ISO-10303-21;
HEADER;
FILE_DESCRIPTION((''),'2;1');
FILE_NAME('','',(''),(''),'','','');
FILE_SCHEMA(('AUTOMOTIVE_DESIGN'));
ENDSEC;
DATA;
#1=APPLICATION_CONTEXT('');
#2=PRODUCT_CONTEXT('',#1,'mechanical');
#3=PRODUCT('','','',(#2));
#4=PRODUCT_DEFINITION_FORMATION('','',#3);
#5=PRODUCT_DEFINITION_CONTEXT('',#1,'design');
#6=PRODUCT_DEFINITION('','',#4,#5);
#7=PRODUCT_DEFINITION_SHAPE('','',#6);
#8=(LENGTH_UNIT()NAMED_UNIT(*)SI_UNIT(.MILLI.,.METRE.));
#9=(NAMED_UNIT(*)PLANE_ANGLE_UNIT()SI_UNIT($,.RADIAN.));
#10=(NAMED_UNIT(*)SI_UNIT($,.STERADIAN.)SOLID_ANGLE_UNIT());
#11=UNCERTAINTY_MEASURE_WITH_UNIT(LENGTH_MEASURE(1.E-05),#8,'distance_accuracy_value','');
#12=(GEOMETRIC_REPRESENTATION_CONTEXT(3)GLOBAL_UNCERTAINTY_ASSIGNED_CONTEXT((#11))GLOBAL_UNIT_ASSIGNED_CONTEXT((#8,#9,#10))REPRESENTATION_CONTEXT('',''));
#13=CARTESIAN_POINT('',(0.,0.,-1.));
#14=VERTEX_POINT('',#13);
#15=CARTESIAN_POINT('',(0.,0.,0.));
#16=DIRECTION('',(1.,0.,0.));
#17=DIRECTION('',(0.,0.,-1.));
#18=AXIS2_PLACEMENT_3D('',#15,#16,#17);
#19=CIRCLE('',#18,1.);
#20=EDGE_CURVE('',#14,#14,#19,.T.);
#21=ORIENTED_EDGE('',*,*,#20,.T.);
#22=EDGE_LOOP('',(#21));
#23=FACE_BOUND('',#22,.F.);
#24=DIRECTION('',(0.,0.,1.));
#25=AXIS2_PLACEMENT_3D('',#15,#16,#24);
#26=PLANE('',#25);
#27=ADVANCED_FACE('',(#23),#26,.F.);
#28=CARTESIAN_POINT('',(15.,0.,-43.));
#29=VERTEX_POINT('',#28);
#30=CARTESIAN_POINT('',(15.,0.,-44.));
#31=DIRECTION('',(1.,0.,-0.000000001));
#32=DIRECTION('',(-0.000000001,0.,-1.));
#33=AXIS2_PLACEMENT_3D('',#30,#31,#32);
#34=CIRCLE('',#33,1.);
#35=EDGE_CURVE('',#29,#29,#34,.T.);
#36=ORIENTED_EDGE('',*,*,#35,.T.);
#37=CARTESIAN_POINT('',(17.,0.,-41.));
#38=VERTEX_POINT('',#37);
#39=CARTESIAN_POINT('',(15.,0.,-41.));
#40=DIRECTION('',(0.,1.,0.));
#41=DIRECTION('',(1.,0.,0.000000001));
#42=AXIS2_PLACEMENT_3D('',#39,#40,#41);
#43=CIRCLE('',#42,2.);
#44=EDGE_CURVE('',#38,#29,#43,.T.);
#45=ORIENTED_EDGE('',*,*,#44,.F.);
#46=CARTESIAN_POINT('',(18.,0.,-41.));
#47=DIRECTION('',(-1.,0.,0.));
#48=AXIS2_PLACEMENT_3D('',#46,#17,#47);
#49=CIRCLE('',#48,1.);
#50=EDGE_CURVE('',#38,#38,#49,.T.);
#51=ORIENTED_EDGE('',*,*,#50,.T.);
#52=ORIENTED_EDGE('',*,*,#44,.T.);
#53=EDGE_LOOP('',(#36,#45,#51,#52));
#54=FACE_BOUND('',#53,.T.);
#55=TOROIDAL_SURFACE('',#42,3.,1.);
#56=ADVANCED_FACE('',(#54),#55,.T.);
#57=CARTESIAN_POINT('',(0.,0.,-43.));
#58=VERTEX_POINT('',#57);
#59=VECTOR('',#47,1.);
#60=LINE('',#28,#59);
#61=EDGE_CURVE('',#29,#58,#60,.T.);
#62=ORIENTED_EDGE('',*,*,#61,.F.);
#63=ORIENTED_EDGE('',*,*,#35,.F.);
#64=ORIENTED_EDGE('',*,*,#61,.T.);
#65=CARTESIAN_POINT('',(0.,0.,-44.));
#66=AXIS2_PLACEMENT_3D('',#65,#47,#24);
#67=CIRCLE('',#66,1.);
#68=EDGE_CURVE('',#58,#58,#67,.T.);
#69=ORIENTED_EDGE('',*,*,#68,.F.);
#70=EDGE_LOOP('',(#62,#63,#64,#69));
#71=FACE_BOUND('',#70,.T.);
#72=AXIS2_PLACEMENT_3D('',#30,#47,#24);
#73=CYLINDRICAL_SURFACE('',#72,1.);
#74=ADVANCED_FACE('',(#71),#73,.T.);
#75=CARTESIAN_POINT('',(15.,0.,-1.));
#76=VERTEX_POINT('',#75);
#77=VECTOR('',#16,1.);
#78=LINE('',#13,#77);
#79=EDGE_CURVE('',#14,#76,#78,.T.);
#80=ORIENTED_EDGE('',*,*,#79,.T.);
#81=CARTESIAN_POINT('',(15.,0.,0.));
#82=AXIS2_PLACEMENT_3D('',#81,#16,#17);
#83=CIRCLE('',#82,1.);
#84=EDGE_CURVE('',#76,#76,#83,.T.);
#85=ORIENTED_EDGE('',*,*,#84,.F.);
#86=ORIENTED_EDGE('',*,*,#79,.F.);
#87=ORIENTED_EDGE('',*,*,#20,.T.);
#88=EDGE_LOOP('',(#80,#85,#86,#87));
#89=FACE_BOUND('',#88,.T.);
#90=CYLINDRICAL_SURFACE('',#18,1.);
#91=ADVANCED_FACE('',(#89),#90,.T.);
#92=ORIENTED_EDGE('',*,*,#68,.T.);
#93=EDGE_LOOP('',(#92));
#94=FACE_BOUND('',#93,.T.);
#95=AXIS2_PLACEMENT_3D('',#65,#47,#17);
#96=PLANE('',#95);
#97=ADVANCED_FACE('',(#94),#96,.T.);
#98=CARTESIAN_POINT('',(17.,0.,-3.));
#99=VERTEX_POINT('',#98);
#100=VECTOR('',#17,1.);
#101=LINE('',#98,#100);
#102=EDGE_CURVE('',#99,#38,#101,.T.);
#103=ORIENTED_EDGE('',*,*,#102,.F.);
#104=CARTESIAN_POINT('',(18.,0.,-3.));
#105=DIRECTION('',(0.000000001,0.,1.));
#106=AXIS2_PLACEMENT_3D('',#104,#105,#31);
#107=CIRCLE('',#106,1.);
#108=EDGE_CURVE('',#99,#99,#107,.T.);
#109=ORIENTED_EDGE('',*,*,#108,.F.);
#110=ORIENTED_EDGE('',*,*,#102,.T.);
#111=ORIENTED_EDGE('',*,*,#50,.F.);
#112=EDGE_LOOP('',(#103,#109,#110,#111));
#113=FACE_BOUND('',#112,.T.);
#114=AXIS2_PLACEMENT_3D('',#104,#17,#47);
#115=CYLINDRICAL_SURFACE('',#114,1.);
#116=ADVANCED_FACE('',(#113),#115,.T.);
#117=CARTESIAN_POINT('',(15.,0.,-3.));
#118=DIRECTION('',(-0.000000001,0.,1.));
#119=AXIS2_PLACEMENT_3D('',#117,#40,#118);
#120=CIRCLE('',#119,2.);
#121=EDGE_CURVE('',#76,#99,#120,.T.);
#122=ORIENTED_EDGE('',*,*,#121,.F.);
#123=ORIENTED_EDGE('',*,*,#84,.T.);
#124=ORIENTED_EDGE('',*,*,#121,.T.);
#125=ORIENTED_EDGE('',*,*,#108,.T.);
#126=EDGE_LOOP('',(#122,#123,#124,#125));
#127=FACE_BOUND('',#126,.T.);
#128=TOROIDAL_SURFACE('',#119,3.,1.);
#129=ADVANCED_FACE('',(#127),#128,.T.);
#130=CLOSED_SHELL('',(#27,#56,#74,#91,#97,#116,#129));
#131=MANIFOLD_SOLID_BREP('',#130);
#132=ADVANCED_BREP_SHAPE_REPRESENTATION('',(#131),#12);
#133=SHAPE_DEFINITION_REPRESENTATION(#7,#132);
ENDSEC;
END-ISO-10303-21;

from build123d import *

# Parameters (mm, degrees)
SKETCH_1_R = 1


with BuildPart() as part:
    # По траектории1: sweep along a curve in space
    with BuildLine() as sweep_1_path:
        Line((0, 0, 0), (15, 0, 0))
        ThreePointArc((15, 0, 0), (17.121320344, 0, -0.878679656), (18, 0, -3))
        Line((18, 0, -3), (18, 0, -41))
        ThreePointArc((18, 0, -41), (17.121320344, 0, -43.121320344), (15, 0, -44))
        Line((15, 0, -44), (0, 0, -44))
    # Эскиз1 → По траектории1 (sweep)
    with BuildSketch(Plane(origin=(0, 0, 0), x_dir=(0, 0, -1), z_dir=(1, 0, 0))):
        Circle(SKETCH_1_R)
    sweep(path=sweep_1_path.line)


solid = part.part
